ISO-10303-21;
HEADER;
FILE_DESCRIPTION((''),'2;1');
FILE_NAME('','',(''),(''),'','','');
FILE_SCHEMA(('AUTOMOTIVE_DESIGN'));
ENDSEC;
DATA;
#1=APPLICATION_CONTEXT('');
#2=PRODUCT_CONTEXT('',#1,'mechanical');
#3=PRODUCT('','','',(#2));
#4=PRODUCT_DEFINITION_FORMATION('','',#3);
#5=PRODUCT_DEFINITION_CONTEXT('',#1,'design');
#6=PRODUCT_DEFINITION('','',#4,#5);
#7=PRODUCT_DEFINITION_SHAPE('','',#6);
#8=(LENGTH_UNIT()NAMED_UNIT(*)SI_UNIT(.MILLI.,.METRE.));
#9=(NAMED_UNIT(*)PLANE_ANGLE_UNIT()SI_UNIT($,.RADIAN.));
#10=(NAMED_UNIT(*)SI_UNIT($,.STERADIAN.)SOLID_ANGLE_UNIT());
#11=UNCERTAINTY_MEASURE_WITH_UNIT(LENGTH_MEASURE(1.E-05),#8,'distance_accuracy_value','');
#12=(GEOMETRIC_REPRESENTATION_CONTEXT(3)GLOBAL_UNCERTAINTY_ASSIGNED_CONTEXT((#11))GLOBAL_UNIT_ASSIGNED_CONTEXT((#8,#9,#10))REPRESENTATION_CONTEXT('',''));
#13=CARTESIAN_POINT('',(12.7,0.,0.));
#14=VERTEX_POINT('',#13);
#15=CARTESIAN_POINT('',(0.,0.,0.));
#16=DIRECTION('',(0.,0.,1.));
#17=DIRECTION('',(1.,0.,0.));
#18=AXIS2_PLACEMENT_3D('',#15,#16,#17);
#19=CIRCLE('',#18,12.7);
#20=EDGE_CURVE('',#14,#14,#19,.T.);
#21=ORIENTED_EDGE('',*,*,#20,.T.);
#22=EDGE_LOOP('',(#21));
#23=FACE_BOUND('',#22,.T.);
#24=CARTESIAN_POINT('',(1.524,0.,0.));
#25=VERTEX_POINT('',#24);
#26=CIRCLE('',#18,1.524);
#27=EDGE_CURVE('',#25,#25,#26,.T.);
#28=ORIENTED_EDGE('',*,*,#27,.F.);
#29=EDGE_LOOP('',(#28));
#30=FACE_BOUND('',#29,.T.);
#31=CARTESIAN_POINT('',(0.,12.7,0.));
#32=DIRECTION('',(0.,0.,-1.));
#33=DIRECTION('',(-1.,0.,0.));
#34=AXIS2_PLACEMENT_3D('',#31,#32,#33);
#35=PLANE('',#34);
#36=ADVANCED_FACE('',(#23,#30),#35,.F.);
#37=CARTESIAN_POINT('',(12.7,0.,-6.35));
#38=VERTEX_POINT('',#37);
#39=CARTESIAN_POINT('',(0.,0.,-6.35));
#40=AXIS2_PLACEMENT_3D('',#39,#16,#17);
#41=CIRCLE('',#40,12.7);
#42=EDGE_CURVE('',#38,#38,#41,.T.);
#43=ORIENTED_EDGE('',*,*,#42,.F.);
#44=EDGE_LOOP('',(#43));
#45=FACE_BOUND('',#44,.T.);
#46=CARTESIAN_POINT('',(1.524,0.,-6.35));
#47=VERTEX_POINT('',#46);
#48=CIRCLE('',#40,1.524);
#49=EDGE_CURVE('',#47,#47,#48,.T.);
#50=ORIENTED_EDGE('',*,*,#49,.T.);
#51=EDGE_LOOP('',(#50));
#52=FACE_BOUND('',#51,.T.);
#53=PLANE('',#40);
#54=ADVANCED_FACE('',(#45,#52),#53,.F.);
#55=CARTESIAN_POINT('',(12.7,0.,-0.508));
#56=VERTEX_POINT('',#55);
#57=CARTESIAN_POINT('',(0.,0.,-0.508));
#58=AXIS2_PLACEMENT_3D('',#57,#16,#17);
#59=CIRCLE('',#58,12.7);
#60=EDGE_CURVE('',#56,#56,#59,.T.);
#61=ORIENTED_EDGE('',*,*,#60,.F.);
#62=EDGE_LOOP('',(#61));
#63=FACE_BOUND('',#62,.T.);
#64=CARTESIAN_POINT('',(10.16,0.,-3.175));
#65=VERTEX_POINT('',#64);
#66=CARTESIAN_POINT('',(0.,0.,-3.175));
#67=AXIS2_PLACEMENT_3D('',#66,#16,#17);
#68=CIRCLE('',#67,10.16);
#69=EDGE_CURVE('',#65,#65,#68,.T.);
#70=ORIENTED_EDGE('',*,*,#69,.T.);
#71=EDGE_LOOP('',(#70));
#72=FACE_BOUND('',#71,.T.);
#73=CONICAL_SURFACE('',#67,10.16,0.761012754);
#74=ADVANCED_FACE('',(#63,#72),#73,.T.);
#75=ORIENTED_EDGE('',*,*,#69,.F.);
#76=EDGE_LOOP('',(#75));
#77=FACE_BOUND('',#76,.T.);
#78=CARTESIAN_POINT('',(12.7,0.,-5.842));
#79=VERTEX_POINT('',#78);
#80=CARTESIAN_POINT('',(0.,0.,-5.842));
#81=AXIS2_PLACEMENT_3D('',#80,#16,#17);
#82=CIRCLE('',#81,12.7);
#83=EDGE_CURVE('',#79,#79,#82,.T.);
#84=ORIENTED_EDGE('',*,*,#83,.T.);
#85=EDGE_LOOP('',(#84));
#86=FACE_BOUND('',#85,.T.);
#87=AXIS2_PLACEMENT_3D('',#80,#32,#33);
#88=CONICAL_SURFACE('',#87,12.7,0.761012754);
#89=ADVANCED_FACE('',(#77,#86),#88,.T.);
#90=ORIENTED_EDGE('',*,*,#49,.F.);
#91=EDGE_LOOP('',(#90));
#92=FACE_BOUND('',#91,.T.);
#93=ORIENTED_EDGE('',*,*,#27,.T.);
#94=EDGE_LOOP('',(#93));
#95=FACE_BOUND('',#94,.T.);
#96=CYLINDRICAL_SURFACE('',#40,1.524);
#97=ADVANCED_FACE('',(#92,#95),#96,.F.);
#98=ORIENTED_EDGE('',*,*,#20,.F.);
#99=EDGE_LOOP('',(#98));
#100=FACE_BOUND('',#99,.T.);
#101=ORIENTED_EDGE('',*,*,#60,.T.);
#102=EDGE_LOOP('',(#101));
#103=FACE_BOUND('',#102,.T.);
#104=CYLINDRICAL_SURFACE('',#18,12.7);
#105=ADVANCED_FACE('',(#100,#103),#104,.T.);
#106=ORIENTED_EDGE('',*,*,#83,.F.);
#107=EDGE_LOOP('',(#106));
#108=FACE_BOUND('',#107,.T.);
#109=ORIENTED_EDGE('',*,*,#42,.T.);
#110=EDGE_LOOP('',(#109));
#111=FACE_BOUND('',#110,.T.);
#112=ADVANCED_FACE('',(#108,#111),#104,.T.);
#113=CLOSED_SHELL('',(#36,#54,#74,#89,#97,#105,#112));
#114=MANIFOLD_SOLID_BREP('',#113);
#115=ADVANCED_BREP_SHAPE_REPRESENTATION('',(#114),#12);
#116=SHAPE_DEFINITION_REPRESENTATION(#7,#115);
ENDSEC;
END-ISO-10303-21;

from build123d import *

# Parameters (mm, degrees)
SKETCH3_R          = 1.524
CUT_EXTRUDE1_DEPTH = 20.05


with BuildPart() as part:
    # Sketch1 → Revolve1 (revolve)
    with BuildSketch(Plane(origin=(0, 0, 0), x_dir=(0, 0, -1), z_dir=(1, 0, 0)), mode=Mode.PRIVATE) as revolve1_sk:
        Polygon((0, 0), (6.35, 0), (6.35, 12.7), (5.842, 12.7), (3.175, 10.16), (0.508, 12.7), (0, 12.7), align=None)
    revolve(revolve1_sk.sketch.rotate(Axis((0, 0, 0), (0, 0, -1)), 90), axis=Axis((0, 0, 0), (0, 0, -1)))

    # Sketch3 → Cut-Extrude1 (cut, through all)
    with BuildSketch(Plane.XY):
        Circle(SKETCH3_R)
    extrude(amount=-CUT_EXTRUDE1_DEPTH, mode=Mode.SUBTRACT)


solid = part.part
